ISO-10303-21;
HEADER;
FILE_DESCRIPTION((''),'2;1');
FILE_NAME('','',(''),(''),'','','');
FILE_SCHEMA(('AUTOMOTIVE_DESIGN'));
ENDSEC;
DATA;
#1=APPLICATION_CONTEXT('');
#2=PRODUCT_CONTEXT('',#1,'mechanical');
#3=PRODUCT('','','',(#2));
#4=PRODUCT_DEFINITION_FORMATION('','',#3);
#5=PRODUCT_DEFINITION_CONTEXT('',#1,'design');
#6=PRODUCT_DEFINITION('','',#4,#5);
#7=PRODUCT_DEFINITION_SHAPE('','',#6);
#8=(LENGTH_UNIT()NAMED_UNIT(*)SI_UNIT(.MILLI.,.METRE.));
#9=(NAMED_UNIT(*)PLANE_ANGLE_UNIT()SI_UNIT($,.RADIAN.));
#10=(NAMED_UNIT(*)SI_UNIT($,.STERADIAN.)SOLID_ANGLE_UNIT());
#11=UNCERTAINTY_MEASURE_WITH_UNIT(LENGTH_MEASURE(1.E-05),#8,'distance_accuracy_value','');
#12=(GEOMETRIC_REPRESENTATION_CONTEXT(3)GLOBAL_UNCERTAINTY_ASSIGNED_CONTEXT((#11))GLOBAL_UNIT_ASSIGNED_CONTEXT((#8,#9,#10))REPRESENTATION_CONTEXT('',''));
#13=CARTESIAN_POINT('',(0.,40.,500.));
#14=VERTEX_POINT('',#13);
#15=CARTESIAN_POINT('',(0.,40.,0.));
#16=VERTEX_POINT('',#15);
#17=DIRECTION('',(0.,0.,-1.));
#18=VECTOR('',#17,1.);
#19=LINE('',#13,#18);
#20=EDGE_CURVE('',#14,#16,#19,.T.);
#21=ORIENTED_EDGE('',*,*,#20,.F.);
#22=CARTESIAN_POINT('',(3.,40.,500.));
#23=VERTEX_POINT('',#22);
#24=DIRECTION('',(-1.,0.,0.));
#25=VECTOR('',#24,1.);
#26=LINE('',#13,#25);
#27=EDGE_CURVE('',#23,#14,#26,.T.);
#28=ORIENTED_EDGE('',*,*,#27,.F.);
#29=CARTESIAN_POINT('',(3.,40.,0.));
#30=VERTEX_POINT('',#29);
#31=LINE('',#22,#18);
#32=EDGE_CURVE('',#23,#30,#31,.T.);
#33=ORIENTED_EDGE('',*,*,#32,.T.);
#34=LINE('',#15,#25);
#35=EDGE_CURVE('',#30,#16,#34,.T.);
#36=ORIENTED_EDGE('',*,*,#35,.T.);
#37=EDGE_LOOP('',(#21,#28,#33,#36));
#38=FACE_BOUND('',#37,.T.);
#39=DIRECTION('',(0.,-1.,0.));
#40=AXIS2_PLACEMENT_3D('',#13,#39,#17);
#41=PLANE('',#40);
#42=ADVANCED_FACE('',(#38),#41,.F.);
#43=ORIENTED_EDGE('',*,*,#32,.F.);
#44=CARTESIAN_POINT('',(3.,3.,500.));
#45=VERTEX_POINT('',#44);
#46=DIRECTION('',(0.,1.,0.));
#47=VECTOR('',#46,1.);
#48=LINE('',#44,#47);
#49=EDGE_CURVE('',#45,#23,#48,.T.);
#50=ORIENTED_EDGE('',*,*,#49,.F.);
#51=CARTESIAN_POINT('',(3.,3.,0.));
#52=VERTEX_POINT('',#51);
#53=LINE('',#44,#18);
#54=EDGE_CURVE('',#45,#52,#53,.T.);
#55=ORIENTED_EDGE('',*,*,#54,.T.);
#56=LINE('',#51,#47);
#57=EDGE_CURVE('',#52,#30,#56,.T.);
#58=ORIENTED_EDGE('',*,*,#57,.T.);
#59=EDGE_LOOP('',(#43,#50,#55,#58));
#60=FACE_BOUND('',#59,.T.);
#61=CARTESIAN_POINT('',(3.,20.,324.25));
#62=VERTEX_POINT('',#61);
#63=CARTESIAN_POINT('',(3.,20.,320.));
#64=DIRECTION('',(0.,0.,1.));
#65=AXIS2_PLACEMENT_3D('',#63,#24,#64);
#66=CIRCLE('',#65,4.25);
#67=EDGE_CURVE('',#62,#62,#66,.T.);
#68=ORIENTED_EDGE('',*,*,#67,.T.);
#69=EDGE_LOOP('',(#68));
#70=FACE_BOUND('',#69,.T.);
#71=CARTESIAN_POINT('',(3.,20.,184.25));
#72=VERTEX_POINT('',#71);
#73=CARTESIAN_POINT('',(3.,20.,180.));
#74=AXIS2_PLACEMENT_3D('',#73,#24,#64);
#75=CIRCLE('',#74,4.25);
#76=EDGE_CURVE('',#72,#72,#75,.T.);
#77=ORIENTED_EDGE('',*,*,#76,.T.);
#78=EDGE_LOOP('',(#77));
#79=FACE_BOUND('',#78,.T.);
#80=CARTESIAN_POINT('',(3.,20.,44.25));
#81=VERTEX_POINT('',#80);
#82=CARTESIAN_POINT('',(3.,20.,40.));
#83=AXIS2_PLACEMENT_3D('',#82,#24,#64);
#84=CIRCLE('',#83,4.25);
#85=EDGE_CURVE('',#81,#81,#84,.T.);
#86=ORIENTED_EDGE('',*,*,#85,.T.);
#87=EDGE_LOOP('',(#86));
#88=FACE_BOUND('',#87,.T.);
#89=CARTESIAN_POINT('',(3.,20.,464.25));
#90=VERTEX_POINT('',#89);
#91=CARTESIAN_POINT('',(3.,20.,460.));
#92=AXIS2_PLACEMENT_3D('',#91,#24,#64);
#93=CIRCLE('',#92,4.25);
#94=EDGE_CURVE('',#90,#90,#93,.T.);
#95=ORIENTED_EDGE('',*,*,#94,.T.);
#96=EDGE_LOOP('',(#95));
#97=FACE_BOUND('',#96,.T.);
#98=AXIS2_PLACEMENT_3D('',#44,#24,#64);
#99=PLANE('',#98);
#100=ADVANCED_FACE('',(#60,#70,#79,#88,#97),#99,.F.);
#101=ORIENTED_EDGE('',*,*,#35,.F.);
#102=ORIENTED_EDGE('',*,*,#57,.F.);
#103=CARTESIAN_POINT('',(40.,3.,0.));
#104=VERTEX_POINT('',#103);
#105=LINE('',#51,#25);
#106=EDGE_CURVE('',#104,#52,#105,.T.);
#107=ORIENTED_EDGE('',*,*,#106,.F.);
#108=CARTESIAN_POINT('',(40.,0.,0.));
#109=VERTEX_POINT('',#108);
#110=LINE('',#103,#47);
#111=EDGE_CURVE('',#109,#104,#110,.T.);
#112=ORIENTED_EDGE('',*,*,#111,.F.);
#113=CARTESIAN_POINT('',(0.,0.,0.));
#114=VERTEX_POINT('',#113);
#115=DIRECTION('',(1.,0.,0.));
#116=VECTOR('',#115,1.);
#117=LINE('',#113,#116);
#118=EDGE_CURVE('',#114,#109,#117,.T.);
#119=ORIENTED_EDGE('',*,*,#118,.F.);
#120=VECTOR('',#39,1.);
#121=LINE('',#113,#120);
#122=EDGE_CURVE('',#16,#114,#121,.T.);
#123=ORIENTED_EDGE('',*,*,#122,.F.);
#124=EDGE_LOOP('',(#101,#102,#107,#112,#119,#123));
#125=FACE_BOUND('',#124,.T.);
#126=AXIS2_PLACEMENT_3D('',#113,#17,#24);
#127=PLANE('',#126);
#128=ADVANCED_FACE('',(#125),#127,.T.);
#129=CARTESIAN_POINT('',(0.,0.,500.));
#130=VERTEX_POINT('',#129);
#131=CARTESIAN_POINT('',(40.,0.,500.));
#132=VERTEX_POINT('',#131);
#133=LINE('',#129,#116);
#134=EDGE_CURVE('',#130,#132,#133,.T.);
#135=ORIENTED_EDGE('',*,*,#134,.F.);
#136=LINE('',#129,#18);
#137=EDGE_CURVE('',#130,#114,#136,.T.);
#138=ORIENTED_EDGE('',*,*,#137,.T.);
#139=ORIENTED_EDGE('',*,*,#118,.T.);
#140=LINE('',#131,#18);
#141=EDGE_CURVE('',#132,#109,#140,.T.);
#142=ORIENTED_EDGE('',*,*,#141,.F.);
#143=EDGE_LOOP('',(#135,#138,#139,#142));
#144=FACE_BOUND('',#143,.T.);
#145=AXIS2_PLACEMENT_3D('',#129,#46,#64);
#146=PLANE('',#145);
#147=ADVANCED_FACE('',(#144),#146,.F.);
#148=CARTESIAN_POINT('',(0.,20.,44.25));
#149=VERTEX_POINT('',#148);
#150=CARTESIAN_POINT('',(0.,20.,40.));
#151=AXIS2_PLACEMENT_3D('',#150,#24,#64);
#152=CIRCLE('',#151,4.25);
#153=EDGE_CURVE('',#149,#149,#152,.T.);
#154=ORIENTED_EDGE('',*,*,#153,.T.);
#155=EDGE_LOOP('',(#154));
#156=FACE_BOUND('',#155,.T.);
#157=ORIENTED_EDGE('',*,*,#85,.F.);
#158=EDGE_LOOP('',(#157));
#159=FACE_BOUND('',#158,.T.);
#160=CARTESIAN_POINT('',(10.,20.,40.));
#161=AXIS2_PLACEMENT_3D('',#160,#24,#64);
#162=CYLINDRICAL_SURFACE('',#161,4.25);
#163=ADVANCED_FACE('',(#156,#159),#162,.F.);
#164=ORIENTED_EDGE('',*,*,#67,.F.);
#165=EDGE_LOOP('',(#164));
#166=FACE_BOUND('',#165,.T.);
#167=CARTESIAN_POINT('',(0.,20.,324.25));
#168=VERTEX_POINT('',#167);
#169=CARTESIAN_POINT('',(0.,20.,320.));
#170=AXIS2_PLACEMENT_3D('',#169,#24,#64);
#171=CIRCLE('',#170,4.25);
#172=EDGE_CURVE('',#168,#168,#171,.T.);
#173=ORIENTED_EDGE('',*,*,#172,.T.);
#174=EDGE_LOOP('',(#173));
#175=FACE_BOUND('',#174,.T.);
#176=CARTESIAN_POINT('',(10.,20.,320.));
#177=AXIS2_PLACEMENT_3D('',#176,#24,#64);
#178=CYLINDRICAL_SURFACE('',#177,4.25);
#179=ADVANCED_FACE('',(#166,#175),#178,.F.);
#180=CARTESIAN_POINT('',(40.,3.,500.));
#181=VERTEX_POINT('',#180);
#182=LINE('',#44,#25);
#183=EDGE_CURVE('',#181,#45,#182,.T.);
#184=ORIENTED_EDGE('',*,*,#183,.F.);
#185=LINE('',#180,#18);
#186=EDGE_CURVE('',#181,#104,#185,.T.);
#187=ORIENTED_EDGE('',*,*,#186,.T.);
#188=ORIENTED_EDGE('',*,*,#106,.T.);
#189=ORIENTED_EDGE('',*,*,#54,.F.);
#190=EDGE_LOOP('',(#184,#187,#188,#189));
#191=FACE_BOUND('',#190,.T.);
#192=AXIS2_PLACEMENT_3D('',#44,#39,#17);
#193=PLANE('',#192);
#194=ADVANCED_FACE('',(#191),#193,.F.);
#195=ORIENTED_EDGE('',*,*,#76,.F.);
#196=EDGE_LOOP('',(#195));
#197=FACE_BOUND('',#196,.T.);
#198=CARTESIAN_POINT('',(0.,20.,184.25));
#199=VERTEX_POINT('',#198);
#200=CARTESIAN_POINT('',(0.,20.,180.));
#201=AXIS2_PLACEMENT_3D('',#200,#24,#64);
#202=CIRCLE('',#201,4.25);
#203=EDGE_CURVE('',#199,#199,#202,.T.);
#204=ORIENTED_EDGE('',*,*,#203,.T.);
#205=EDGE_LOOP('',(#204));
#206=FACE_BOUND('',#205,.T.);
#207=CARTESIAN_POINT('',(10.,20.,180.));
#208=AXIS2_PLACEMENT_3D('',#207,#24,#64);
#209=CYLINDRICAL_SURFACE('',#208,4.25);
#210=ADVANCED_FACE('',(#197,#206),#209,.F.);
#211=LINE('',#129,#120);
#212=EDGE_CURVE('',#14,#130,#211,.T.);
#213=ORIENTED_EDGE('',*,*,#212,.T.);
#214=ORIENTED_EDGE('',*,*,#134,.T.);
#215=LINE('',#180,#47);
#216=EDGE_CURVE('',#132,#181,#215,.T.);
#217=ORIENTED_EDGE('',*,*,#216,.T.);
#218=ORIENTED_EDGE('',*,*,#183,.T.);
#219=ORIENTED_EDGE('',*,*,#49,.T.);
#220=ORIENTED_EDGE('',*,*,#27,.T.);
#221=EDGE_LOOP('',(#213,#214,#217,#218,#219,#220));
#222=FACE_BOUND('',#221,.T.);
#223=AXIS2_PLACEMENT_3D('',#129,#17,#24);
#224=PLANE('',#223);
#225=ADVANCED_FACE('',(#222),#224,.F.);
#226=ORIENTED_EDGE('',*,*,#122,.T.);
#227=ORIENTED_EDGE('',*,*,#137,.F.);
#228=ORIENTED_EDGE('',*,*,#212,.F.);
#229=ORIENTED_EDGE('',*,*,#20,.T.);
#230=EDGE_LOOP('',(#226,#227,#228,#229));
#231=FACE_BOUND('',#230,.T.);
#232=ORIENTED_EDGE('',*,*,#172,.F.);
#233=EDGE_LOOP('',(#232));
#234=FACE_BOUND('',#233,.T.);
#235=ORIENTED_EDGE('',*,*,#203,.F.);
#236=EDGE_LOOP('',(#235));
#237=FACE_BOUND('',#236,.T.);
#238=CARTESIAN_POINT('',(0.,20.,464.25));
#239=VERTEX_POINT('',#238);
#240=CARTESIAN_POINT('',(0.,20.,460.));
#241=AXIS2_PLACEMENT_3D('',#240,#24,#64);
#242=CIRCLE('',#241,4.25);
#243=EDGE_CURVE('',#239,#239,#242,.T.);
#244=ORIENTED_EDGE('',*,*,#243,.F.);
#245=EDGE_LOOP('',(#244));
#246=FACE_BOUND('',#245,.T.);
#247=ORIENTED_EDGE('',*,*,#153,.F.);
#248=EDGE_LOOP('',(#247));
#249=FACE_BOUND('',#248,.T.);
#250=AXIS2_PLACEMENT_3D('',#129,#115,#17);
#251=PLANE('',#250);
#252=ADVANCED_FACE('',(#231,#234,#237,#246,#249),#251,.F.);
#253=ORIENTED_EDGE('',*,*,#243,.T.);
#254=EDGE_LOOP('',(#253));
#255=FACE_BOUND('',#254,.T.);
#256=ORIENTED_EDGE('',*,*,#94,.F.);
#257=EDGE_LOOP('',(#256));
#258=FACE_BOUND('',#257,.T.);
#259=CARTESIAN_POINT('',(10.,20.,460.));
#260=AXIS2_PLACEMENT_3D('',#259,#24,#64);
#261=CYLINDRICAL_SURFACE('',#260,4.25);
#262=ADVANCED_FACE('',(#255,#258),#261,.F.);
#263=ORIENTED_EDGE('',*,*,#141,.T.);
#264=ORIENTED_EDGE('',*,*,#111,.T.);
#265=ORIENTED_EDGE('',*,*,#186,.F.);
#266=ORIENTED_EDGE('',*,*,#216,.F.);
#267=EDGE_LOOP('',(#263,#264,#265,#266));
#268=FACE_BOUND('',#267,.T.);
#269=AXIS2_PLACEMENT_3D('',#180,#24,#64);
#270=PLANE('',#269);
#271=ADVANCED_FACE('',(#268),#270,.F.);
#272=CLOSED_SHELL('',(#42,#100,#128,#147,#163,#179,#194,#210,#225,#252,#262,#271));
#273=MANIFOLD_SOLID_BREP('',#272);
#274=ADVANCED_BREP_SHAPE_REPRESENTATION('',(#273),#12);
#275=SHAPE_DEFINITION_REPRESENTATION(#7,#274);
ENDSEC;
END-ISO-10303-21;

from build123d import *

# Parameters (mm, degrees)
Y_KSEKLIK_EKSTR_ZYON1_DEPTH = 500
IZIM2_R                     = 4.25
KES_EKSTR_ZYON1_DEPTH       = 10


with BuildPart() as part:
    # Çizim1 → Yükseklik-Ekstrüzyon1 (new body)
    with BuildSketch(Plane.XY):
        Polygon((0, 0), (0, 40), (3, 40), (3, 3), (40, 3), (40, 0), align=None)
    extrude(amount=Y_KSEKLIK_EKSTR_ZYON1_DEPTH)

    # Çizim2 → Kes-Ekstrüzyon1 (cut)
    with BuildSketch(Plane.ZY):
        with Locations((40, 20)):
            Circle(IZIM2_R)
        with Locations((180, 20)):
            Circle(IZIM2_R)
        with Locations((320, 20)):
            Circle(IZIM2_R)
        with Locations((460, 20)):
            Circle(IZIM2_R)
    extrude(amount=-KES_EKSTR_ZYON1_DEPTH, mode=Mode.SUBTRACT)


solid = part.part
